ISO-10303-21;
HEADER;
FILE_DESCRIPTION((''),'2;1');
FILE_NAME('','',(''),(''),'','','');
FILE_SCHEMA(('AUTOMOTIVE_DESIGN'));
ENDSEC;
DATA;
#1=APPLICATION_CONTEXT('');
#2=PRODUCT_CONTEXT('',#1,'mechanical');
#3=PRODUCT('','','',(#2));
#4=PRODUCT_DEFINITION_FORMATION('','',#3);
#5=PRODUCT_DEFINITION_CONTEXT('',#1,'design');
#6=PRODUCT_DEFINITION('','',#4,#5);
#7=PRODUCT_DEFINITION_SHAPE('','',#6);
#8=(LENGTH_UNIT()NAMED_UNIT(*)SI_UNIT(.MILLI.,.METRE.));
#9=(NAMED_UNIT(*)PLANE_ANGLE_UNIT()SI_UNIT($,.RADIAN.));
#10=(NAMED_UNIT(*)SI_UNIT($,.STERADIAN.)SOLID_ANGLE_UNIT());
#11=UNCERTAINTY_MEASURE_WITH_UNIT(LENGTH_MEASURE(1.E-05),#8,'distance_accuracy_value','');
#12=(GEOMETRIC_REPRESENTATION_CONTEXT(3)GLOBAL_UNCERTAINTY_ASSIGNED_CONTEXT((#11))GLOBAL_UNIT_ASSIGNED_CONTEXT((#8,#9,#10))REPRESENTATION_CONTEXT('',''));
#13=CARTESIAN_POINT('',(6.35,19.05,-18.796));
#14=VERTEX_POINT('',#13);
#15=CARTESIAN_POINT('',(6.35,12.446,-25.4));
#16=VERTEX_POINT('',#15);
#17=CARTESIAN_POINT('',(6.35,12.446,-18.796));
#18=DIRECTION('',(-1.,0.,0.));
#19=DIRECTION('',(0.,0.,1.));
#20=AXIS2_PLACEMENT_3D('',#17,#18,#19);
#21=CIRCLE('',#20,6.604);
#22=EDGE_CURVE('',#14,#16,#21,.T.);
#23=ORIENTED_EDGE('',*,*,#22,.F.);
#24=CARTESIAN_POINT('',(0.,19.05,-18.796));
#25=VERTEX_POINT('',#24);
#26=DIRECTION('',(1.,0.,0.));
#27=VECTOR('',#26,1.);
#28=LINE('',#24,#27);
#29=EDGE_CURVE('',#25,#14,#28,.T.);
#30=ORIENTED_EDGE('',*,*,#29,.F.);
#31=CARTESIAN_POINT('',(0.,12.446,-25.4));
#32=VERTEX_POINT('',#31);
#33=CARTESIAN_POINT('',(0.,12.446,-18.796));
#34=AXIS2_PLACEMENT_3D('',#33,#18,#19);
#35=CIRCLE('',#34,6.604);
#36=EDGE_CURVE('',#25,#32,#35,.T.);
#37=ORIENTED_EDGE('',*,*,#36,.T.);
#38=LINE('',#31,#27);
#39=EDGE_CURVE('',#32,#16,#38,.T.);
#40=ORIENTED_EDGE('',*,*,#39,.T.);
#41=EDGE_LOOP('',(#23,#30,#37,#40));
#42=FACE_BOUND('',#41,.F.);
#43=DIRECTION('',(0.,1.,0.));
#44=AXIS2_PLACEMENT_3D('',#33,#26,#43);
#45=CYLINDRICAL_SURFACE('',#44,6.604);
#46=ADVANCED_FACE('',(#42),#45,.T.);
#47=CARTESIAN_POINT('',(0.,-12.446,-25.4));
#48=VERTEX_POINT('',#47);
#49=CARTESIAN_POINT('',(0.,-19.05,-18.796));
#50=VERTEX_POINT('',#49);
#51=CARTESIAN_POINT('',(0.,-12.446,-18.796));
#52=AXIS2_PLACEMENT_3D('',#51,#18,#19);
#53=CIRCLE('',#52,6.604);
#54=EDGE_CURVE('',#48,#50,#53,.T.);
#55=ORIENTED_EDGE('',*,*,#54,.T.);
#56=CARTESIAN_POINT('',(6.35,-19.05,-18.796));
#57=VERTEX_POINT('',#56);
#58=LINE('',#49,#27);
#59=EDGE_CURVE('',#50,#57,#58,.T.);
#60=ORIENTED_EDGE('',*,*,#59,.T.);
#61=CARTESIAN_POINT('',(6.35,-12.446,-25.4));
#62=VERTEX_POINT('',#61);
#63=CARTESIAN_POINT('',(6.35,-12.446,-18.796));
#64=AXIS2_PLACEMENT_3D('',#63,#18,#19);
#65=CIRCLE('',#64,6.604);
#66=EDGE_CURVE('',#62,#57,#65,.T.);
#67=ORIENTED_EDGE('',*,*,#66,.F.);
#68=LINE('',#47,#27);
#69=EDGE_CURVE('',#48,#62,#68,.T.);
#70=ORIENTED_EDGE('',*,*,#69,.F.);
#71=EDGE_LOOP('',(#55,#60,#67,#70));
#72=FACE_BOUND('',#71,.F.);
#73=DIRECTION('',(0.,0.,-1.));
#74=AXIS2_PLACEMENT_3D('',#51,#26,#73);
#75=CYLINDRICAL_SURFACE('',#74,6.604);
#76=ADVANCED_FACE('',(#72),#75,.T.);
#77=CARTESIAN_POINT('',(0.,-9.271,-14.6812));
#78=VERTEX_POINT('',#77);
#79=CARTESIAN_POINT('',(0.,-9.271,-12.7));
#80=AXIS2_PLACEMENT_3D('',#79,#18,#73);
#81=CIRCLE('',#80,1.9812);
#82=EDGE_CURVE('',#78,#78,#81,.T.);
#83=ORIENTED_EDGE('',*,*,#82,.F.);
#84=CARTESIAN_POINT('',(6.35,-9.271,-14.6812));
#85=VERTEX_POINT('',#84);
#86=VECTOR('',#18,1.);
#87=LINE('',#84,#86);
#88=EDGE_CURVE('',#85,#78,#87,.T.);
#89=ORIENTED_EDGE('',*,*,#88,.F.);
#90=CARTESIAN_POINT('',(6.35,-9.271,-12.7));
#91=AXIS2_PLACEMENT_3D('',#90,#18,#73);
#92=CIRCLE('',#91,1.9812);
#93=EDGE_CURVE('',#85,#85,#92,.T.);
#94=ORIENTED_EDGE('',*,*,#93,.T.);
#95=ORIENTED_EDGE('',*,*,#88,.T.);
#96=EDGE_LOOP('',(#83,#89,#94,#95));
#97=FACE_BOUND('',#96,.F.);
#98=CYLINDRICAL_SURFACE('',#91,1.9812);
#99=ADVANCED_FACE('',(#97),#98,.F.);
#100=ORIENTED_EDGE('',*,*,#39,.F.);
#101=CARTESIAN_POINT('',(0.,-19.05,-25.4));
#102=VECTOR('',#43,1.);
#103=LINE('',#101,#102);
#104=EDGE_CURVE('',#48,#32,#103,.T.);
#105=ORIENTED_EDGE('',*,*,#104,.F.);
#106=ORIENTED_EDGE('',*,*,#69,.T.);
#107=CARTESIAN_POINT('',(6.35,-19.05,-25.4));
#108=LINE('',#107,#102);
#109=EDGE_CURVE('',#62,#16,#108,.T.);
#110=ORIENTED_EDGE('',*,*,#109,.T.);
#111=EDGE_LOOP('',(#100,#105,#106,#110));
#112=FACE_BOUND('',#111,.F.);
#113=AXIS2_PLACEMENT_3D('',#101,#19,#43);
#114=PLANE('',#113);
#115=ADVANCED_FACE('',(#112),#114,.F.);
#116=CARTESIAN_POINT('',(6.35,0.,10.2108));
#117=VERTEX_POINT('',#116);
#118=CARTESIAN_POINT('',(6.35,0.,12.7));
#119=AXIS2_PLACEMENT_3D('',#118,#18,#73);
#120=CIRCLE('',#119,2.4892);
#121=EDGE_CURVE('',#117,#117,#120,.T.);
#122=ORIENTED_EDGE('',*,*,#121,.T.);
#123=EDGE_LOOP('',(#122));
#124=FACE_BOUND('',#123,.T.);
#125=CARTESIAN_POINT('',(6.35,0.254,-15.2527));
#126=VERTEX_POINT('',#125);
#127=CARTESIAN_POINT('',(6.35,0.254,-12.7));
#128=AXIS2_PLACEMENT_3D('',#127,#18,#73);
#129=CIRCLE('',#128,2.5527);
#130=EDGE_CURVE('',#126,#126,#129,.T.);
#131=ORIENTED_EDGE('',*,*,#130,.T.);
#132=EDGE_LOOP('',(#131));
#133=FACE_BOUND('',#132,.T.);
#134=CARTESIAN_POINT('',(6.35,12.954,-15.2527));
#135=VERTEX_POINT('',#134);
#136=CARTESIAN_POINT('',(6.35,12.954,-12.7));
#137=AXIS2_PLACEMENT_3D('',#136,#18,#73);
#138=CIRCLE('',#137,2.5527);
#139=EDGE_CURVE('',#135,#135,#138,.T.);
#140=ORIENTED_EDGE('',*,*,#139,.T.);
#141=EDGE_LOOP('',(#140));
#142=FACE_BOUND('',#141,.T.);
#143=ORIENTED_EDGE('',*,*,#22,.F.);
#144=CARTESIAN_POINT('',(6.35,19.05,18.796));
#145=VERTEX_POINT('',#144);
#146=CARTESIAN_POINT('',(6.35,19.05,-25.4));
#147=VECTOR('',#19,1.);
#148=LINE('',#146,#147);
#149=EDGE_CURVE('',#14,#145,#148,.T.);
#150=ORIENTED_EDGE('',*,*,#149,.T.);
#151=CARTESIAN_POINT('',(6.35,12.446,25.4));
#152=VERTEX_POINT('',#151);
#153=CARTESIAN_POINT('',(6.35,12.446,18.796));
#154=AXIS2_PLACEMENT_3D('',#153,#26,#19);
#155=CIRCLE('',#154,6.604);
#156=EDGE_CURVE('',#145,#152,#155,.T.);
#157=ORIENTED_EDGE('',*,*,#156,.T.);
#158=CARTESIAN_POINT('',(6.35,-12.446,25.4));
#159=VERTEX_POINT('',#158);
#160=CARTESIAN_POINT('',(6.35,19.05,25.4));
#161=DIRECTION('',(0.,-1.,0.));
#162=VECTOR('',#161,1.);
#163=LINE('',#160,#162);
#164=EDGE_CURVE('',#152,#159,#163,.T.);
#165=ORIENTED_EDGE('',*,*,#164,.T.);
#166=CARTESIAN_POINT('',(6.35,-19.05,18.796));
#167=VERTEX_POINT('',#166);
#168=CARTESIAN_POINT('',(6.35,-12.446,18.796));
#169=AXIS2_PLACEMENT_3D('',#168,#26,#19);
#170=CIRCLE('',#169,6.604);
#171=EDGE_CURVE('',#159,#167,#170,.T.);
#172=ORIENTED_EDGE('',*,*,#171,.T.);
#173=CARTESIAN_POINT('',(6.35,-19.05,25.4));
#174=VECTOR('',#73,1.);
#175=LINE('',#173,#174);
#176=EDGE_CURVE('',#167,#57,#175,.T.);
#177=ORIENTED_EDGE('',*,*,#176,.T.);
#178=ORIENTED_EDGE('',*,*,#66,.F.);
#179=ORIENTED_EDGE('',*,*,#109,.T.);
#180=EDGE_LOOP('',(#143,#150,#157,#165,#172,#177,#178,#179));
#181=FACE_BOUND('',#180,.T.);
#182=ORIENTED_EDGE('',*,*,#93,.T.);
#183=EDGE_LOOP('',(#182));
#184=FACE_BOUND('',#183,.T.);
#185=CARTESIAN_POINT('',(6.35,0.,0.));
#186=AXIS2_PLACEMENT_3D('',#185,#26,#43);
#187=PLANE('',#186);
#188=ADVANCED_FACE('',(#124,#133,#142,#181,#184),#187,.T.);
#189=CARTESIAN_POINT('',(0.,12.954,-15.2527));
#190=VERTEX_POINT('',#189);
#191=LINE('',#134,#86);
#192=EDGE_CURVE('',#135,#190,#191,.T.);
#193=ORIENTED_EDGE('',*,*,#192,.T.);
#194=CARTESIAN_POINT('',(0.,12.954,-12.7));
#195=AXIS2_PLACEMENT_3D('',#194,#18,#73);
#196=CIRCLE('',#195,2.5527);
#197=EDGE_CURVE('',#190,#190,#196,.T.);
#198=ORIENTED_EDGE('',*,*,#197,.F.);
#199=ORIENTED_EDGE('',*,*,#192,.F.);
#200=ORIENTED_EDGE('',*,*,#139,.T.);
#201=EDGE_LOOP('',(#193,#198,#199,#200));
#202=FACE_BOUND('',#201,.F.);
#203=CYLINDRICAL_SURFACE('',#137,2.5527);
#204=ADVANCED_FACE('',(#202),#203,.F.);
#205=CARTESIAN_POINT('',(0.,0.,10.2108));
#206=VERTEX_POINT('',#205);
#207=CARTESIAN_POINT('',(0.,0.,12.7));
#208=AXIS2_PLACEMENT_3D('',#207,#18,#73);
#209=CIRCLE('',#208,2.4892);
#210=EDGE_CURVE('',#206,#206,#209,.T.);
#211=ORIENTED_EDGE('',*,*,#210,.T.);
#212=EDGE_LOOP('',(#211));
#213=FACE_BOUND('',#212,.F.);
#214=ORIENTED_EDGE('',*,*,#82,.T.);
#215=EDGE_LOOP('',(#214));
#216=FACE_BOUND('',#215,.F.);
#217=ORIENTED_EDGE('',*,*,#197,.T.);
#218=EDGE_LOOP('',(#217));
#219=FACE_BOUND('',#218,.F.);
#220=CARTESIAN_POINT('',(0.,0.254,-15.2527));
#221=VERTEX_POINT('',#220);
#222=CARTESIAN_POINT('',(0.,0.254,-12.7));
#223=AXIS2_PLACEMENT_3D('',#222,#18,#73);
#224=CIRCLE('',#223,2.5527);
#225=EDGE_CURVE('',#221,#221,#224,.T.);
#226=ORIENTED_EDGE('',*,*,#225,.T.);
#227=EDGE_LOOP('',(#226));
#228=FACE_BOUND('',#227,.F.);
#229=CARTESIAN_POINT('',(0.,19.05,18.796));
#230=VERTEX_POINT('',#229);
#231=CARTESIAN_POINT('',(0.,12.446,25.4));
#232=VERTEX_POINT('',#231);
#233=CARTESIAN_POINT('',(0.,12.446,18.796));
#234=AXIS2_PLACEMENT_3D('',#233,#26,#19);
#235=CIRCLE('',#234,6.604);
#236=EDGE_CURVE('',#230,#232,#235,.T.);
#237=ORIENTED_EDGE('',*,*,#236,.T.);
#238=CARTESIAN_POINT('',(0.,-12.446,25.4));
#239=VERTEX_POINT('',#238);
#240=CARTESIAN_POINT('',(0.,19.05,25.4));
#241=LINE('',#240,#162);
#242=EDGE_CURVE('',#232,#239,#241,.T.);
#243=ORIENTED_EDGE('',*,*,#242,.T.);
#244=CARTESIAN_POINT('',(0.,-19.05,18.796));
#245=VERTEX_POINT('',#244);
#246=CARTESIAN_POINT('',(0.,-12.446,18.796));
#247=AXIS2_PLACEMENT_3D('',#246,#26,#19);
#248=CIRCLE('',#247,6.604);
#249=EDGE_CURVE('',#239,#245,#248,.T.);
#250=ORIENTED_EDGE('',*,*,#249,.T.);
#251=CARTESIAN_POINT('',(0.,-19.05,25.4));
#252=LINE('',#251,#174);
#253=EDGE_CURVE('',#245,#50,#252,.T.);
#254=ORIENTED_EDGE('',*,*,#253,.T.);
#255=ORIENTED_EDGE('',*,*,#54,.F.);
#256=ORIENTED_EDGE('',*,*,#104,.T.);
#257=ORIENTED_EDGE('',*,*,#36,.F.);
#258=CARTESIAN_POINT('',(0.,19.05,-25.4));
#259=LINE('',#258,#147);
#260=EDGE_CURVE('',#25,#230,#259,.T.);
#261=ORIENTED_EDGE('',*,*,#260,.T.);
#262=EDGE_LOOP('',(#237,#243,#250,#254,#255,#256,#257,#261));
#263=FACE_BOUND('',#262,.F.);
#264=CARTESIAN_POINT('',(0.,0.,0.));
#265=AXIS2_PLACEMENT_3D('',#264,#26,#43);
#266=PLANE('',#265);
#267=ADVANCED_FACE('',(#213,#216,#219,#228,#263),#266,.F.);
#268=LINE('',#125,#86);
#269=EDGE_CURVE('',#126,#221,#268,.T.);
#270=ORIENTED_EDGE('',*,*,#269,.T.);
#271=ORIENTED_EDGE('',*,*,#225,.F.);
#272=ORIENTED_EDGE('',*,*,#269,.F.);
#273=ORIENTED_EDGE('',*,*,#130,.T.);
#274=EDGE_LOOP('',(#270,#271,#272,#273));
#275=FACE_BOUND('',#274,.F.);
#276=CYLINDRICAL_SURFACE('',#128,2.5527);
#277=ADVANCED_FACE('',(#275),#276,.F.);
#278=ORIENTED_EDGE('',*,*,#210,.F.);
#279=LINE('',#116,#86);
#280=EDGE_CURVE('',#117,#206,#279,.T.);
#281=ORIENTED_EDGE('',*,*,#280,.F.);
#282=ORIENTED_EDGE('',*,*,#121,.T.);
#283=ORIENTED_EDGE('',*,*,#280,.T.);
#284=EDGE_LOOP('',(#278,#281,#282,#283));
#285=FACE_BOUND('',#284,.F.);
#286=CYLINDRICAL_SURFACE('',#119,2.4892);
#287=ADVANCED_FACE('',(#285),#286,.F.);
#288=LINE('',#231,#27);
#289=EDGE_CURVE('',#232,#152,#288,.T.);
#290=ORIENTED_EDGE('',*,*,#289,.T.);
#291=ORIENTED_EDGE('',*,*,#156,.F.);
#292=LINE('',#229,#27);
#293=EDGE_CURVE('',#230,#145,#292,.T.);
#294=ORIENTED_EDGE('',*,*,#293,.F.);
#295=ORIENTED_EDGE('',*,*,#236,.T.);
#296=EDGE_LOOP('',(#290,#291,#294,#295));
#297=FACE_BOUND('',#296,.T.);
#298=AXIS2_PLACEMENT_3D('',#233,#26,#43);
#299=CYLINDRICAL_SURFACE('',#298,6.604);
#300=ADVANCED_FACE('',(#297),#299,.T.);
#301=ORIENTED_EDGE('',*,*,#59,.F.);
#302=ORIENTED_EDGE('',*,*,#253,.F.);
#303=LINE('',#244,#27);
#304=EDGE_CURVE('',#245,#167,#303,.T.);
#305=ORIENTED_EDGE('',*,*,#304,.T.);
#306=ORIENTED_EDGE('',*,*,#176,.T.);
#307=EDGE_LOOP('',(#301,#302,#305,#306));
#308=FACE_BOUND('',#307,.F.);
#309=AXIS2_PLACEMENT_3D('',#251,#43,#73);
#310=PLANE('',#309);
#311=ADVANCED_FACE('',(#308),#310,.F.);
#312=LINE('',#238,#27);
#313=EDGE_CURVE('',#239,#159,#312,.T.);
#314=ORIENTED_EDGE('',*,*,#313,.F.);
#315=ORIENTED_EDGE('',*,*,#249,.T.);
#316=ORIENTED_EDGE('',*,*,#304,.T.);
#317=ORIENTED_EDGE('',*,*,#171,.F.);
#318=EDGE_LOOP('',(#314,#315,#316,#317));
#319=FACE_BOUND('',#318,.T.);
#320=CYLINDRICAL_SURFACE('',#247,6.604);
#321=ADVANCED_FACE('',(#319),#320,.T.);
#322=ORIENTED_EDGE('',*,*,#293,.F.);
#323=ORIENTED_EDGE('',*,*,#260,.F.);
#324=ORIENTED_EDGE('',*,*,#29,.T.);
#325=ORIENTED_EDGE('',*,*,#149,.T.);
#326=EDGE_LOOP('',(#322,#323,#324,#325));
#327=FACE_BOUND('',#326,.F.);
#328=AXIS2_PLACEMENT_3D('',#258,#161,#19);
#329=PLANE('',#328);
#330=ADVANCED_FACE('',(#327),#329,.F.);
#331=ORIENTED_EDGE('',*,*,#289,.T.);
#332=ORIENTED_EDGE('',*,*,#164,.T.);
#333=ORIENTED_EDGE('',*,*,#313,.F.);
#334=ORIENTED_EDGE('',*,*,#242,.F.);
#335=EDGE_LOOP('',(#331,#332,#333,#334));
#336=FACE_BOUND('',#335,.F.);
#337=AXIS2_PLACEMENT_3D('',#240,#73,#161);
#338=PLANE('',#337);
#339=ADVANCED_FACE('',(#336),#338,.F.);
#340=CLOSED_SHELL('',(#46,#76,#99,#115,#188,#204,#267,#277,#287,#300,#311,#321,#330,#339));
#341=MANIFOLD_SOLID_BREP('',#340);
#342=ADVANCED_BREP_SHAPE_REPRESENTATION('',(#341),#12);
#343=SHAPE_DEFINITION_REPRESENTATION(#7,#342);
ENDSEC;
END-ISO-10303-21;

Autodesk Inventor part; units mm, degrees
ref_plane "YZ Plane" through (0, 0, 0) normal (1, 0, 0) x (0, 1, 0)
ref_plane "XZ Plane" through (0, 0, 0) normal (0, 1, 0) x (-1, 0, 0)
ref_plane "XY Plane" through (0, 0, 0) normal (0, 0, 1) x (1, 0, 0)
sketch "Sketch1" plane through (0, 0, 0) normal (1, 0, 0) x (0, 1, 0)
  line L0 (19.05, 25.4) -> (-19.05, 25.4)
  line L1 (-19.05, 25.4) -> (-19.05, -25.4)
  line L2 (-19.05, -25.4) -> (19.05, -25.4)
  line L3 (19.05, -25.4) -> (19.05, 25.4)
  line L4 (19.05, 25.4) -> (-19.05, -25.4) construction
  line L5 (-19.05, 25.4) -> (19.05, -25.4) construction
  point P0 (0, 0)
  dimension "d0" = 38.1
  dimension "d1" = 50.8
extrude "Extrusion1" add sketch "Sketch1" along normal blind 6.35
sketch "Sketch2" plane through (6.35, 0, 0) normal (1, 0, 0) x (0, 0, -1)
  line L0 (25.4, 19.05) -> (-25.4, 19.05) construction
  line L1 (25.4, -19.05) -> (25.4, 19.05) construction
  point P0 (0, 0)
  point P1 (12.7, 12.954)
  point P2 (12.7, 0.254)
  point P3 (12.7, -9.271)
  dimension "d4" = 12.7
  dimension "d5" = 9.525
  dimension "d6" = 6.096
  dimension "d7" = 12.7
hole "Hole1" at (6.35, 12.954, -12.7) at (6.35, 0.254, -12.7) direction (-1, 0, 0) diameter 5.1054 end through all clearance for "Flat Head Machine Screw (82)" size "#10" standard "Ansi Unified Screw Threads"
hole "Hole2" at (6.35, -9.271, -12.7) direction (-1, 0, 0) diameter 3.9624 end through all thread size "10-32 UNF" class "2B" standard "ANSI Unified Screw Threads"
sketch "Sketch3" plane through (6.35, 0, 0) normal (1, 0, 0) x (0, 0, -1)
  line L0 (-25.4, 19.05) -> (-25.4, -19.05) construction
  point P0 (0, 0)
  point P1 (-12.7, 0)
  dimension "d22" = 12.7
hole "Hole3" at (6.35, 0, 12.7) direction (-1, 0, 0) diameter 4.9784 end through all thread size "1/4-20 UNC" class "2B" standard "ANSI Unified Screw Threads"
fillet "Fillet1" radius 6.604 4 edges at (3.175, 19.05, 25.4) (3.175, 19.05, -25.4) (3.175, -19.05, -25.4) (3.175, -19.05, 25.4)
properties part number "EL2-028" material "Aluminum 6061"
